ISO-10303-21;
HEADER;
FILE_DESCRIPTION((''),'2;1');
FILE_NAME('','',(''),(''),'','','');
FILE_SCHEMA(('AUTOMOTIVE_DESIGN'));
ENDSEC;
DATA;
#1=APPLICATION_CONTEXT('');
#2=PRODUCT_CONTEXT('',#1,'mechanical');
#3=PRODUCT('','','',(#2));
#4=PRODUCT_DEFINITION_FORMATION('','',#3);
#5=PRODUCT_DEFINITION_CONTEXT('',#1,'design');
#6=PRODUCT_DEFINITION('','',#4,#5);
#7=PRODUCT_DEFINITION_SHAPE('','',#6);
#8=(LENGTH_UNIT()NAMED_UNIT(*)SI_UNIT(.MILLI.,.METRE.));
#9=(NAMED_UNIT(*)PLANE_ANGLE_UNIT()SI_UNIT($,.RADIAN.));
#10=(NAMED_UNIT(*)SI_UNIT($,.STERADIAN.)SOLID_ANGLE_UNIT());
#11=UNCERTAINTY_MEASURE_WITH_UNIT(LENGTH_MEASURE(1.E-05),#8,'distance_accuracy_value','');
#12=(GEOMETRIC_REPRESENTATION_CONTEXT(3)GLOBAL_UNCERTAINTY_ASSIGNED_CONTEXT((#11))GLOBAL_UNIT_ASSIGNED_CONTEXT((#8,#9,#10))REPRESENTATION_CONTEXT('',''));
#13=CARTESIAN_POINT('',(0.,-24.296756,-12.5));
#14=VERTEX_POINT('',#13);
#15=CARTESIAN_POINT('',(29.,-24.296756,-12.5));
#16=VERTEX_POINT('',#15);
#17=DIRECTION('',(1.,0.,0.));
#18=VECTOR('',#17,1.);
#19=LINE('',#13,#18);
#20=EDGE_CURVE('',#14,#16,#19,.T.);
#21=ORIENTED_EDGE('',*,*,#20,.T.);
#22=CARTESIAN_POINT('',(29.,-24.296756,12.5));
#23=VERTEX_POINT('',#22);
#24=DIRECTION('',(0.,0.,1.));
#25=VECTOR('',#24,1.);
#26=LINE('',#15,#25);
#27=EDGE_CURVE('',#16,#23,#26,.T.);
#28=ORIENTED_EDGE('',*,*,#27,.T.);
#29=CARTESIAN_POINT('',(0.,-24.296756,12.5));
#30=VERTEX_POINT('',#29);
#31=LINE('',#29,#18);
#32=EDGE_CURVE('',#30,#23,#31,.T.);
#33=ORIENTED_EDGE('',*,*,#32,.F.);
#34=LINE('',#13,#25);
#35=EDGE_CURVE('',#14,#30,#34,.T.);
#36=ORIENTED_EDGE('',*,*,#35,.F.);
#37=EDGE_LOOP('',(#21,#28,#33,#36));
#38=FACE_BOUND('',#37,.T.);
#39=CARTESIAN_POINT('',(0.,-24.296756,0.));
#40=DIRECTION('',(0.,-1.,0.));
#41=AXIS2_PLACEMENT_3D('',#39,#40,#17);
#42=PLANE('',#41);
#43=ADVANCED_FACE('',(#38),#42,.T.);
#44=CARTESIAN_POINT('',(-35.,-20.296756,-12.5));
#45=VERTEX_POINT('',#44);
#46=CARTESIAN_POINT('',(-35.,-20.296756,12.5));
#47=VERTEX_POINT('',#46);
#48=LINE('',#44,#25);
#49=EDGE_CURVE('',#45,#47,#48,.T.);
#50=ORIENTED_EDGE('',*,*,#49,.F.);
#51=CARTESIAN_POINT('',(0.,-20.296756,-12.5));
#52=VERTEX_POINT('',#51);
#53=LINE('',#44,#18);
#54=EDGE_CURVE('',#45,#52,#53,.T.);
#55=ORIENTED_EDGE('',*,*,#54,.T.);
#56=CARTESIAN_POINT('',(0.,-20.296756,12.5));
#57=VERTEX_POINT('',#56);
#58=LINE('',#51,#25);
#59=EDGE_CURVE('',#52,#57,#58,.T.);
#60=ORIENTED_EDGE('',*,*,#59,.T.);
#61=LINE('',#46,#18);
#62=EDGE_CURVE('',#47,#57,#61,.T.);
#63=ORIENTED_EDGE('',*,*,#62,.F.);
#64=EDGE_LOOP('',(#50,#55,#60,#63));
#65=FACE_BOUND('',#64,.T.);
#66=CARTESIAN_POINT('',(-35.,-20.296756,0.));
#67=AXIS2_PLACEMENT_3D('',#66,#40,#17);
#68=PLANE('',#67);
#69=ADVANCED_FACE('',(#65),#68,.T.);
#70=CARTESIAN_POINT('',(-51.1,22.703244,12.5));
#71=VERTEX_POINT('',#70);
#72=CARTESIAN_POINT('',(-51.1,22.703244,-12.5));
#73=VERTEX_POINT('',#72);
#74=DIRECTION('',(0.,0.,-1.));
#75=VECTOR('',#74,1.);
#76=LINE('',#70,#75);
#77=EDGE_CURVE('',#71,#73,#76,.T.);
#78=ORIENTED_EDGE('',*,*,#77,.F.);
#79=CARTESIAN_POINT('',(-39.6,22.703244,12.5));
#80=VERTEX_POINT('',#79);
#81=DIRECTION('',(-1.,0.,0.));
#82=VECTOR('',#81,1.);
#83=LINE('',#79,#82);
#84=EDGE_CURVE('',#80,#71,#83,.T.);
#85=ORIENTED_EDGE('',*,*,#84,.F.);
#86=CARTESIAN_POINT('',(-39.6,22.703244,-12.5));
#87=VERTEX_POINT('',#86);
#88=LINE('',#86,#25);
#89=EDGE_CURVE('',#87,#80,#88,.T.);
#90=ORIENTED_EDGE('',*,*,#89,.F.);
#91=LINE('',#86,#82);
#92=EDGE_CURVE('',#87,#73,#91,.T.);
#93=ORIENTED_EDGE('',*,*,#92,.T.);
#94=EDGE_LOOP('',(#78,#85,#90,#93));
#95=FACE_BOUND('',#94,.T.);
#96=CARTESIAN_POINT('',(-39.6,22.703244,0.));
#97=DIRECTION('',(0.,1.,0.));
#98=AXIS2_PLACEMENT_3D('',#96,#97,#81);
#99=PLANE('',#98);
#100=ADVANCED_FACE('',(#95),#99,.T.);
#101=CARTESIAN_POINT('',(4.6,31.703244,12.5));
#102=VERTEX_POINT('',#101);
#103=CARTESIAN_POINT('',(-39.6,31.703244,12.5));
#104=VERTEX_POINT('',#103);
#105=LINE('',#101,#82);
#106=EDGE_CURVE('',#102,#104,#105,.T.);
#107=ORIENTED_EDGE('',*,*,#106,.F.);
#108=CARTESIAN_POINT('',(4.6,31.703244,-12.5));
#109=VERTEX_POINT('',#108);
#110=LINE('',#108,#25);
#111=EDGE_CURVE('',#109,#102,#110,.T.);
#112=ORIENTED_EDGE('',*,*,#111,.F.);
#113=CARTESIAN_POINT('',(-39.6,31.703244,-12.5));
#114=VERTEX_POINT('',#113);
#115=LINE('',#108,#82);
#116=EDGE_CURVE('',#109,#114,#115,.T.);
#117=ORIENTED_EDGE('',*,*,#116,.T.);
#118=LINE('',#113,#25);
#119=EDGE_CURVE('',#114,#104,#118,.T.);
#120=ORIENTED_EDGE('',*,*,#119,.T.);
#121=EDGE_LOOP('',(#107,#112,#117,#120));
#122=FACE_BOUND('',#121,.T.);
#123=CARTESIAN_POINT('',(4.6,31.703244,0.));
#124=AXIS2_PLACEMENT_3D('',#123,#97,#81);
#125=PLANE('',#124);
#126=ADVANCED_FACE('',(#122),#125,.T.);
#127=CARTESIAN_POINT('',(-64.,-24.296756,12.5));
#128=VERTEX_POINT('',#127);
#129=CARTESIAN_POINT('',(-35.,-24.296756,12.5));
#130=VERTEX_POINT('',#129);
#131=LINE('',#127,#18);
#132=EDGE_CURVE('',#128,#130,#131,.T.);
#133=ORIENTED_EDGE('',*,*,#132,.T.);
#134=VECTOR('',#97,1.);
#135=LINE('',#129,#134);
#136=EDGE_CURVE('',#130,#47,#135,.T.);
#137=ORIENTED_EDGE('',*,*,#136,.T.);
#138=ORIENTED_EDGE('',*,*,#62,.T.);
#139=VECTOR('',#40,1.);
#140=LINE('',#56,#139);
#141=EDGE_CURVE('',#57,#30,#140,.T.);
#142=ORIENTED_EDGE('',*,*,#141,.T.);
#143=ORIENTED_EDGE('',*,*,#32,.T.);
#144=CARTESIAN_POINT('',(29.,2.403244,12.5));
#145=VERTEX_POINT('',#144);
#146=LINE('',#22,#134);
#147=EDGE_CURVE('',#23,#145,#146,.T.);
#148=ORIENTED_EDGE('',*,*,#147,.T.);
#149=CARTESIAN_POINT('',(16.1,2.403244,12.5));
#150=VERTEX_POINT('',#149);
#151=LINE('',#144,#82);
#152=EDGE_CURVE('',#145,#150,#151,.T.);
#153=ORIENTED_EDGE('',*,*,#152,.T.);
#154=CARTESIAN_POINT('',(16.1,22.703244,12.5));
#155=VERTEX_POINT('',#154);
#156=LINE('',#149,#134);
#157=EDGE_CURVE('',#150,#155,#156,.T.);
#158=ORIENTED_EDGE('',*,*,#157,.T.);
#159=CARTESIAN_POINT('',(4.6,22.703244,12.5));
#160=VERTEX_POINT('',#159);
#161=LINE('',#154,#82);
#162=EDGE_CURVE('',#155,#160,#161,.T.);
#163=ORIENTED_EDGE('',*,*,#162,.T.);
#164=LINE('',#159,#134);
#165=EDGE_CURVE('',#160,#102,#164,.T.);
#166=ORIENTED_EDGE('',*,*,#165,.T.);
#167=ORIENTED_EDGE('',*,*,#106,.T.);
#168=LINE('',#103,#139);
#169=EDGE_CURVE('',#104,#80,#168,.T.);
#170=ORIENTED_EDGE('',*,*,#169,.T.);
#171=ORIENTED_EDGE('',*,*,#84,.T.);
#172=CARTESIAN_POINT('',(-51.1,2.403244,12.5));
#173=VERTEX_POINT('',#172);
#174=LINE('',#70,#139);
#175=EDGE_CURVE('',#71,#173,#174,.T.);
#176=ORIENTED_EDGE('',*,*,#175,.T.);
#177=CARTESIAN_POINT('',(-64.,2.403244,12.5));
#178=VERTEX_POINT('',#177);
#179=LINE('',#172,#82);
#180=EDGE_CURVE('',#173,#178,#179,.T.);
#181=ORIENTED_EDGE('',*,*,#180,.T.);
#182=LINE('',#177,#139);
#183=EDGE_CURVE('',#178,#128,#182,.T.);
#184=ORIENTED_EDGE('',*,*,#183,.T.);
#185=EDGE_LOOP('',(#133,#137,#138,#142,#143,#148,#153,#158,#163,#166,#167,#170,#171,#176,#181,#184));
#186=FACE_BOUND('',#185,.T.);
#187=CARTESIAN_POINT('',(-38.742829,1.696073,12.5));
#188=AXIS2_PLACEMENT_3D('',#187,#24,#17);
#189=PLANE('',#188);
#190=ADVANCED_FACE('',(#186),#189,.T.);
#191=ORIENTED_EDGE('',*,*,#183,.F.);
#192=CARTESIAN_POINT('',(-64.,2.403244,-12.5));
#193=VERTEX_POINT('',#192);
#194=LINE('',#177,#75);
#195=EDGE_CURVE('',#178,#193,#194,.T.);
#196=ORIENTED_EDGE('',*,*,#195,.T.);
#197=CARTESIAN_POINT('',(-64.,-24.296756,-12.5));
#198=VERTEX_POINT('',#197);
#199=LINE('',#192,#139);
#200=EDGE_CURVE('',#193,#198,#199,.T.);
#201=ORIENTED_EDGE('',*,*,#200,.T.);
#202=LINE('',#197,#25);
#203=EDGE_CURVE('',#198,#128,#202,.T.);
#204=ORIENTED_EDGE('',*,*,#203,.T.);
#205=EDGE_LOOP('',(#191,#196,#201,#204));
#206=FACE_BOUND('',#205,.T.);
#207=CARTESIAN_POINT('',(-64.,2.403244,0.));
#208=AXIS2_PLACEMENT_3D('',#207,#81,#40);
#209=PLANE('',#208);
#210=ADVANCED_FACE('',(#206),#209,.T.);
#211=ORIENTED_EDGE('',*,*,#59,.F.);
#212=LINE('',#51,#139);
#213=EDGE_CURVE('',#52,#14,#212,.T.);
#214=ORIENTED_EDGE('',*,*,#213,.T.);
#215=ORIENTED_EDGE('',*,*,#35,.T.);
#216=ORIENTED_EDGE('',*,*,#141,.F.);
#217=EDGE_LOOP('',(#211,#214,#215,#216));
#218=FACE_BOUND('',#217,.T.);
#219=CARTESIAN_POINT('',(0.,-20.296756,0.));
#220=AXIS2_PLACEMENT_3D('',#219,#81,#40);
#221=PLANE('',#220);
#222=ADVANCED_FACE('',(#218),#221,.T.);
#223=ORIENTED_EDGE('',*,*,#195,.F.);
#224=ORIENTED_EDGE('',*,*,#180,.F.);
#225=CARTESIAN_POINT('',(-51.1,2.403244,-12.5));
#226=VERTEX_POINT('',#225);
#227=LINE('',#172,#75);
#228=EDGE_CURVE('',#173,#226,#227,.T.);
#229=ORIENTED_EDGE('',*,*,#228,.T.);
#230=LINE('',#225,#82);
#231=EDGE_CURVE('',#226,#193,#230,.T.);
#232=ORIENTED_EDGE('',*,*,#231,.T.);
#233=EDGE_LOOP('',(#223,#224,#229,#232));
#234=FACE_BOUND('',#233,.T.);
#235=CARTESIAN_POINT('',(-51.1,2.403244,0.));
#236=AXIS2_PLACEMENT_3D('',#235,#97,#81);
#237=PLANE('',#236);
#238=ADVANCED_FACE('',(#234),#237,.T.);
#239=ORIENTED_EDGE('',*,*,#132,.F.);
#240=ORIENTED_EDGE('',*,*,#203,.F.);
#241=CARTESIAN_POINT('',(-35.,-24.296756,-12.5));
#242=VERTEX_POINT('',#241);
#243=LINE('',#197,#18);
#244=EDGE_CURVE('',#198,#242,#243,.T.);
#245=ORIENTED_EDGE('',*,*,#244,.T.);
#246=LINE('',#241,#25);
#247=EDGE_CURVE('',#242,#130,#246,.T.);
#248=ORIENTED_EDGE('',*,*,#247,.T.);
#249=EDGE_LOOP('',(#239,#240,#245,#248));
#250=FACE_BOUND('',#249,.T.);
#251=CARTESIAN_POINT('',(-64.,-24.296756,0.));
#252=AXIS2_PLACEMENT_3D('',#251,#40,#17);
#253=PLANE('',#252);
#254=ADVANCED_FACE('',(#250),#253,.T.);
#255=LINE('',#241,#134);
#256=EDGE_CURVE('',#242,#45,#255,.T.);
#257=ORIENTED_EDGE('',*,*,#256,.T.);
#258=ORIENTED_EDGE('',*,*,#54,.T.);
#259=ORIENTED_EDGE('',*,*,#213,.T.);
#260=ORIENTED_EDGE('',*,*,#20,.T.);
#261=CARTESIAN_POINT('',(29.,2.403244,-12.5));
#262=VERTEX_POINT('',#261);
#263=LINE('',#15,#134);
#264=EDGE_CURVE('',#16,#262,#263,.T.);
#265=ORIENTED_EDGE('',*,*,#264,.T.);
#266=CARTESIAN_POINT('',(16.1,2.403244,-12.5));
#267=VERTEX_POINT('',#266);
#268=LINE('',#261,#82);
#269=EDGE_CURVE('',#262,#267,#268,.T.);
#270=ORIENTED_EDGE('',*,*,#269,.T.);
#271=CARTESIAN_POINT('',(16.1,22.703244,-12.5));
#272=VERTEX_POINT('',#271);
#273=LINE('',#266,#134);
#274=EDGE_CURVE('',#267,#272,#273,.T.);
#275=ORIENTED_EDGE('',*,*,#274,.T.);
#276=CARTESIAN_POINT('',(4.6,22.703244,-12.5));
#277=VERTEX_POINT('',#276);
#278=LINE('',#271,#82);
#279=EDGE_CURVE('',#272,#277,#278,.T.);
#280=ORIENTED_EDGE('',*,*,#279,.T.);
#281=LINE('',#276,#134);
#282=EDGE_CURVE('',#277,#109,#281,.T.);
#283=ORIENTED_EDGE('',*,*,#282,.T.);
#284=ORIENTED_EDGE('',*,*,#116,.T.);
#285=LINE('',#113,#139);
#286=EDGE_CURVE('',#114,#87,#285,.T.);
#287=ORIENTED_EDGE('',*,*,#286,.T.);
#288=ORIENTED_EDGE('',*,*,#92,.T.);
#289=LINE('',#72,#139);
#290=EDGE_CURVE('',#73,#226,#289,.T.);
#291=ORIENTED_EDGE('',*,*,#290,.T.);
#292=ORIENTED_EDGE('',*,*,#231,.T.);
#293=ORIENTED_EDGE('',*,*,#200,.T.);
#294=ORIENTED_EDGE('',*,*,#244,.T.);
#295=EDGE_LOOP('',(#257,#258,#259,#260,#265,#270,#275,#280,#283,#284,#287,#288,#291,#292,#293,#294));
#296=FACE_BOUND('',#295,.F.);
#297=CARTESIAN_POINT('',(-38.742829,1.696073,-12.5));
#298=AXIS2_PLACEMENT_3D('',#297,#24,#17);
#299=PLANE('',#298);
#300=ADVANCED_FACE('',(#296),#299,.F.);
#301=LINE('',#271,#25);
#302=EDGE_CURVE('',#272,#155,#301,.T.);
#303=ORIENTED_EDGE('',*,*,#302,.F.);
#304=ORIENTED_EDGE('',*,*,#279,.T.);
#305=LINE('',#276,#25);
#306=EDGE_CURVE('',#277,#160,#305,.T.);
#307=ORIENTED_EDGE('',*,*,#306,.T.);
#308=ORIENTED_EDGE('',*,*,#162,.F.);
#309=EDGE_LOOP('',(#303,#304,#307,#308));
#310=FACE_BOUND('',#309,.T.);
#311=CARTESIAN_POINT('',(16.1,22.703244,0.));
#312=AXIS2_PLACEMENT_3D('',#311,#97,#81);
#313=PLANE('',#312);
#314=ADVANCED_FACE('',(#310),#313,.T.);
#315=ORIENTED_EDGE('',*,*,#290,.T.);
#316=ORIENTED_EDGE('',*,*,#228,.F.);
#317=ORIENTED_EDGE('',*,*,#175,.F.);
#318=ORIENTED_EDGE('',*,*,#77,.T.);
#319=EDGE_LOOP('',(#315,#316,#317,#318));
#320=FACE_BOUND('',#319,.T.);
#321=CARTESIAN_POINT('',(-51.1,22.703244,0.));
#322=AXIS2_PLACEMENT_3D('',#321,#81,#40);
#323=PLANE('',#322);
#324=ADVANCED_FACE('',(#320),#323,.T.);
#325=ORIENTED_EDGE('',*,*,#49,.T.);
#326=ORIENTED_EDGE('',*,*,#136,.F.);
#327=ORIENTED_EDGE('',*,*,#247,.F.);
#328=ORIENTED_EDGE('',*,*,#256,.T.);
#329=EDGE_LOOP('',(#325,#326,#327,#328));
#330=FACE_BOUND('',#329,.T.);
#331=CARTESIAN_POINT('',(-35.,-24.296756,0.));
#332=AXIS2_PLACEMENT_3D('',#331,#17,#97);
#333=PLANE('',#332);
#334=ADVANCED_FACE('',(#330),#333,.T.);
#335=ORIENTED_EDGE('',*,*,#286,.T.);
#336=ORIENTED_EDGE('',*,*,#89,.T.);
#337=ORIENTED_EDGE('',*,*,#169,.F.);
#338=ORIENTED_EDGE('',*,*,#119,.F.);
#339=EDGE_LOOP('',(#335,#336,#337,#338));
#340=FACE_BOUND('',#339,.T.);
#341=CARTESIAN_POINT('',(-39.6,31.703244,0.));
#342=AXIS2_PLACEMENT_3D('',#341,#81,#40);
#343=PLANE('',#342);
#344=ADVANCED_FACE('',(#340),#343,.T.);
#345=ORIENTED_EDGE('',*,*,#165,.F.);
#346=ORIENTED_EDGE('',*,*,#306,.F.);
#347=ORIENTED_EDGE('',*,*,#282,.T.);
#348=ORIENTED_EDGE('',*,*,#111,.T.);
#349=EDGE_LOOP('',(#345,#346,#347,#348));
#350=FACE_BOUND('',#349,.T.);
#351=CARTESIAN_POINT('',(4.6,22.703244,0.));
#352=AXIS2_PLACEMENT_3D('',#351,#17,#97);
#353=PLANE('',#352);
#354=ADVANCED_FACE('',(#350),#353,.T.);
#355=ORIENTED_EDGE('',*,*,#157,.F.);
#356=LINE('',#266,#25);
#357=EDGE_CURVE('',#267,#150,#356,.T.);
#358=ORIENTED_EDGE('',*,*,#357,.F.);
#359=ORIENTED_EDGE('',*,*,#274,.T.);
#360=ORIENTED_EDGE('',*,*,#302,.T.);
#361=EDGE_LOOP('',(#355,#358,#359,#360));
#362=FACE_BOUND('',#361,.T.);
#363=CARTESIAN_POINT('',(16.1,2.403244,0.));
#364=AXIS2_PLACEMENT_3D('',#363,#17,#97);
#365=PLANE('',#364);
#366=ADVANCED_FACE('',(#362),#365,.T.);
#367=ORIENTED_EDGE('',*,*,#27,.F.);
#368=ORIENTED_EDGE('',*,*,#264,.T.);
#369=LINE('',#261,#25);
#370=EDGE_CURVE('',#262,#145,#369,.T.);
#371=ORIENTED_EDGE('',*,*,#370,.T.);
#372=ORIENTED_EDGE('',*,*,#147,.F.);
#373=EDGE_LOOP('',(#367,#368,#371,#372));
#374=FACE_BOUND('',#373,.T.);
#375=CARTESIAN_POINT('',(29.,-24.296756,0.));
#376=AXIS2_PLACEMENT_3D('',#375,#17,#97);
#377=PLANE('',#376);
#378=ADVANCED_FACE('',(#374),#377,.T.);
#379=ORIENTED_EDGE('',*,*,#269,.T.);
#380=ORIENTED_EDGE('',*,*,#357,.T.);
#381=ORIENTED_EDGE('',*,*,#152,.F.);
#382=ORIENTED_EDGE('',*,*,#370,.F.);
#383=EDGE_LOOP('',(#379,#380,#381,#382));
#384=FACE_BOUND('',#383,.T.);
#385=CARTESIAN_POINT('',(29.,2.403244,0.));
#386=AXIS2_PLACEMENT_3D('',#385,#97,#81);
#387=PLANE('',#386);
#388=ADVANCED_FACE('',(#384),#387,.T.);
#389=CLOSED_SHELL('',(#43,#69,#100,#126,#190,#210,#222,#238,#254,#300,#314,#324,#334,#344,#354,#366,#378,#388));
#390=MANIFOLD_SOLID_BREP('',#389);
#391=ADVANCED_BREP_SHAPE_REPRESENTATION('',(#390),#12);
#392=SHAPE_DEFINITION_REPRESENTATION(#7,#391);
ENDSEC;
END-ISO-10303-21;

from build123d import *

# Parameters (mm, degrees)
F1_DEPTH = 12.5


with BuildPart() as f1:
    # F0 (on Top) → F1 (new body, symmetric)
    with BuildSketch(Plane.XY):
        Polygon((-64, 2.403244), (-64, -24.296756), (-35, -24.296756), (-35, -20.296756), (-17.5, -20.296756), (-17.5, 31.703244), (-39.6, 31.703244), (-39.6, 22.703244), (-51.1, 22.703244), (-51.1, 2.403244), align=None)
        Polygon((-17.5, 31.703244), (-17.5, -20.296756), (0, -20.296756), (0, -24.296756), (29, -24.296756), (29, 2.403244), (16.1, 2.403244), (16.1, 22.703244), (4.6, 22.703244), (4.6, 31.703244), align=None)
    extrude(amount=F1_DEPTH, both=True)


solid = f1.part
